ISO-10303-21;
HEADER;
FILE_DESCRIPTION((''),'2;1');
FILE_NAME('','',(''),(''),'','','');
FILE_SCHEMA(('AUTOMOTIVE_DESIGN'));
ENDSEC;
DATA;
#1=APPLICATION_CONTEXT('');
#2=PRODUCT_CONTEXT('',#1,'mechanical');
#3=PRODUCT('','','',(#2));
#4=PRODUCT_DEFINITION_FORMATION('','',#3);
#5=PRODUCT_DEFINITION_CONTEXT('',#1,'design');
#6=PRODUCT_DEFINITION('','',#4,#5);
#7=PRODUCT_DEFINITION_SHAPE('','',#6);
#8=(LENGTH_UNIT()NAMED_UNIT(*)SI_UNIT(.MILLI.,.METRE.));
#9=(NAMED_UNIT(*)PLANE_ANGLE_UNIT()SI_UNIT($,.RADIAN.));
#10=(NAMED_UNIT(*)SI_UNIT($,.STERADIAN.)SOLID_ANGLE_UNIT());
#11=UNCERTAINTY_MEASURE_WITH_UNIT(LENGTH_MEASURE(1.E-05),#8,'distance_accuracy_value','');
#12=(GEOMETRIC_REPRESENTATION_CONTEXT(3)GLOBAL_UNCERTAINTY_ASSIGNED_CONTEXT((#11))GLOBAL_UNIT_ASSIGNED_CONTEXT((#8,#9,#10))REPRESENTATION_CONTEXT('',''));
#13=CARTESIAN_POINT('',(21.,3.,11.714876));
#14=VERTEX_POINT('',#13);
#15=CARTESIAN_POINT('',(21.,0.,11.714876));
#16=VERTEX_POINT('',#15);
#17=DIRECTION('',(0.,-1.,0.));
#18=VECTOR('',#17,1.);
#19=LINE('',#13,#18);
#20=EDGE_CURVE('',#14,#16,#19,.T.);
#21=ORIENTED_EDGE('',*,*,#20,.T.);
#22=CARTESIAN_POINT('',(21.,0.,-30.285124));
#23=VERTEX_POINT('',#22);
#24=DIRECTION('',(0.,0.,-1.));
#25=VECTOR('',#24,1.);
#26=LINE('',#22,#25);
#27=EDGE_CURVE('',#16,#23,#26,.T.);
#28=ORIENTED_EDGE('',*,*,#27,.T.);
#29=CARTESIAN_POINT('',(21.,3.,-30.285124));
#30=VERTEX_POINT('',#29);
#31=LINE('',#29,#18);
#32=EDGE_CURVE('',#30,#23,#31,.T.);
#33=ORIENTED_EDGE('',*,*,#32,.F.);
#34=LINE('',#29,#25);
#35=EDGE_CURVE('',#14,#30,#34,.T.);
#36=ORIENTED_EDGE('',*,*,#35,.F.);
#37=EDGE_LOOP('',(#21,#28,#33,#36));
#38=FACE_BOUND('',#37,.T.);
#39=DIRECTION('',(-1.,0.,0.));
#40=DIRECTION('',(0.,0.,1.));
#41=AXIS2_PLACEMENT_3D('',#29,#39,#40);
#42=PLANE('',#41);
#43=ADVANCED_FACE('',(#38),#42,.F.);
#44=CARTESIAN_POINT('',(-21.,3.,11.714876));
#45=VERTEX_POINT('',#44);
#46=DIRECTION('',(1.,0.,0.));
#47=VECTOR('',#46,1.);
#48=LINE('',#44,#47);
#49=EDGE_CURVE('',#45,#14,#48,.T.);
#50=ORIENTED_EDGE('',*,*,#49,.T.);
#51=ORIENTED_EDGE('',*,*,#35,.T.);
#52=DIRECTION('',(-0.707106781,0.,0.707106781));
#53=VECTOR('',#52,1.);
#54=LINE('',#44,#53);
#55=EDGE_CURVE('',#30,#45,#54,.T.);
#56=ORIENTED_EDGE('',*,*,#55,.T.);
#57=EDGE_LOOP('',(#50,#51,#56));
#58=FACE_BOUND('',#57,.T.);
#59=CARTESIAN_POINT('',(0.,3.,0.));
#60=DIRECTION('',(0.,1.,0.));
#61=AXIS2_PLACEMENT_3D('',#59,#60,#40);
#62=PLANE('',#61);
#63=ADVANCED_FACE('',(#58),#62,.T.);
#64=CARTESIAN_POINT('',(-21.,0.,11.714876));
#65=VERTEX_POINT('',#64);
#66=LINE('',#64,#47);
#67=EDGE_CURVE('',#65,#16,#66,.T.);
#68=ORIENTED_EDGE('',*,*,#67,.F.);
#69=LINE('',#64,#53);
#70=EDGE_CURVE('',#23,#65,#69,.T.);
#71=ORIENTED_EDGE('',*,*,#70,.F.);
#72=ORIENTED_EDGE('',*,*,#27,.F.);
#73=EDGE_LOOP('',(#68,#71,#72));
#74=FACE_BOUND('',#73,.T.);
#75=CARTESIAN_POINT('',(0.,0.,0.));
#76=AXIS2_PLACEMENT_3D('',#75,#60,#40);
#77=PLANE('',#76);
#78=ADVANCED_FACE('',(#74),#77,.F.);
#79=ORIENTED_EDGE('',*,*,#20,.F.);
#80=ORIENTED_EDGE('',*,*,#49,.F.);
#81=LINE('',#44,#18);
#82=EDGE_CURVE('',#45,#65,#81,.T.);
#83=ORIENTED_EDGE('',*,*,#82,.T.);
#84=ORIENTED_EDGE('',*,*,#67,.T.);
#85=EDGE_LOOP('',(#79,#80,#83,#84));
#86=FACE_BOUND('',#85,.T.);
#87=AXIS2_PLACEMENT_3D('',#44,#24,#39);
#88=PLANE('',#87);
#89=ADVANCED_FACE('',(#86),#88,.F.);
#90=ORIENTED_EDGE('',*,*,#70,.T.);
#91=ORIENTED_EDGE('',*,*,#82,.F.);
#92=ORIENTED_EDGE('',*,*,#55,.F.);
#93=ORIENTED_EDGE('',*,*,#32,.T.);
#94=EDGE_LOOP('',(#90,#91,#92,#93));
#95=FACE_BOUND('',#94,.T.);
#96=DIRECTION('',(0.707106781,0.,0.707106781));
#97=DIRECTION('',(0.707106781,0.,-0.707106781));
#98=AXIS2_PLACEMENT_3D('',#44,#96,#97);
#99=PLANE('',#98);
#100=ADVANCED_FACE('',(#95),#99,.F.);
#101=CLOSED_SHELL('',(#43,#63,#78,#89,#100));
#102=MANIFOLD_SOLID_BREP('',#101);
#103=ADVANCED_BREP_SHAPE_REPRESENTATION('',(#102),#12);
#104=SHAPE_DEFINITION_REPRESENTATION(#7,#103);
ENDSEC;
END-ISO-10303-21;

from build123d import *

# Parameters (mm, degrees)
BOSS_EXTRUDE1_DEPTH = 3


with BuildPart() as part:
    # Sketch1 → Boss-Extrude1 (new body)
    with BuildSketch(Plane(origin=(0, 0, 0), x_dir=(1, 0, 0), z_dir=(0, 1, 0))):
        Polygon((-21, -11.714876033), (21, 30.285123967), (21, -11.714876033), align=None)
    extrude(amount=BOSS_EXTRUDE1_DEPTH)


solid = part.part
